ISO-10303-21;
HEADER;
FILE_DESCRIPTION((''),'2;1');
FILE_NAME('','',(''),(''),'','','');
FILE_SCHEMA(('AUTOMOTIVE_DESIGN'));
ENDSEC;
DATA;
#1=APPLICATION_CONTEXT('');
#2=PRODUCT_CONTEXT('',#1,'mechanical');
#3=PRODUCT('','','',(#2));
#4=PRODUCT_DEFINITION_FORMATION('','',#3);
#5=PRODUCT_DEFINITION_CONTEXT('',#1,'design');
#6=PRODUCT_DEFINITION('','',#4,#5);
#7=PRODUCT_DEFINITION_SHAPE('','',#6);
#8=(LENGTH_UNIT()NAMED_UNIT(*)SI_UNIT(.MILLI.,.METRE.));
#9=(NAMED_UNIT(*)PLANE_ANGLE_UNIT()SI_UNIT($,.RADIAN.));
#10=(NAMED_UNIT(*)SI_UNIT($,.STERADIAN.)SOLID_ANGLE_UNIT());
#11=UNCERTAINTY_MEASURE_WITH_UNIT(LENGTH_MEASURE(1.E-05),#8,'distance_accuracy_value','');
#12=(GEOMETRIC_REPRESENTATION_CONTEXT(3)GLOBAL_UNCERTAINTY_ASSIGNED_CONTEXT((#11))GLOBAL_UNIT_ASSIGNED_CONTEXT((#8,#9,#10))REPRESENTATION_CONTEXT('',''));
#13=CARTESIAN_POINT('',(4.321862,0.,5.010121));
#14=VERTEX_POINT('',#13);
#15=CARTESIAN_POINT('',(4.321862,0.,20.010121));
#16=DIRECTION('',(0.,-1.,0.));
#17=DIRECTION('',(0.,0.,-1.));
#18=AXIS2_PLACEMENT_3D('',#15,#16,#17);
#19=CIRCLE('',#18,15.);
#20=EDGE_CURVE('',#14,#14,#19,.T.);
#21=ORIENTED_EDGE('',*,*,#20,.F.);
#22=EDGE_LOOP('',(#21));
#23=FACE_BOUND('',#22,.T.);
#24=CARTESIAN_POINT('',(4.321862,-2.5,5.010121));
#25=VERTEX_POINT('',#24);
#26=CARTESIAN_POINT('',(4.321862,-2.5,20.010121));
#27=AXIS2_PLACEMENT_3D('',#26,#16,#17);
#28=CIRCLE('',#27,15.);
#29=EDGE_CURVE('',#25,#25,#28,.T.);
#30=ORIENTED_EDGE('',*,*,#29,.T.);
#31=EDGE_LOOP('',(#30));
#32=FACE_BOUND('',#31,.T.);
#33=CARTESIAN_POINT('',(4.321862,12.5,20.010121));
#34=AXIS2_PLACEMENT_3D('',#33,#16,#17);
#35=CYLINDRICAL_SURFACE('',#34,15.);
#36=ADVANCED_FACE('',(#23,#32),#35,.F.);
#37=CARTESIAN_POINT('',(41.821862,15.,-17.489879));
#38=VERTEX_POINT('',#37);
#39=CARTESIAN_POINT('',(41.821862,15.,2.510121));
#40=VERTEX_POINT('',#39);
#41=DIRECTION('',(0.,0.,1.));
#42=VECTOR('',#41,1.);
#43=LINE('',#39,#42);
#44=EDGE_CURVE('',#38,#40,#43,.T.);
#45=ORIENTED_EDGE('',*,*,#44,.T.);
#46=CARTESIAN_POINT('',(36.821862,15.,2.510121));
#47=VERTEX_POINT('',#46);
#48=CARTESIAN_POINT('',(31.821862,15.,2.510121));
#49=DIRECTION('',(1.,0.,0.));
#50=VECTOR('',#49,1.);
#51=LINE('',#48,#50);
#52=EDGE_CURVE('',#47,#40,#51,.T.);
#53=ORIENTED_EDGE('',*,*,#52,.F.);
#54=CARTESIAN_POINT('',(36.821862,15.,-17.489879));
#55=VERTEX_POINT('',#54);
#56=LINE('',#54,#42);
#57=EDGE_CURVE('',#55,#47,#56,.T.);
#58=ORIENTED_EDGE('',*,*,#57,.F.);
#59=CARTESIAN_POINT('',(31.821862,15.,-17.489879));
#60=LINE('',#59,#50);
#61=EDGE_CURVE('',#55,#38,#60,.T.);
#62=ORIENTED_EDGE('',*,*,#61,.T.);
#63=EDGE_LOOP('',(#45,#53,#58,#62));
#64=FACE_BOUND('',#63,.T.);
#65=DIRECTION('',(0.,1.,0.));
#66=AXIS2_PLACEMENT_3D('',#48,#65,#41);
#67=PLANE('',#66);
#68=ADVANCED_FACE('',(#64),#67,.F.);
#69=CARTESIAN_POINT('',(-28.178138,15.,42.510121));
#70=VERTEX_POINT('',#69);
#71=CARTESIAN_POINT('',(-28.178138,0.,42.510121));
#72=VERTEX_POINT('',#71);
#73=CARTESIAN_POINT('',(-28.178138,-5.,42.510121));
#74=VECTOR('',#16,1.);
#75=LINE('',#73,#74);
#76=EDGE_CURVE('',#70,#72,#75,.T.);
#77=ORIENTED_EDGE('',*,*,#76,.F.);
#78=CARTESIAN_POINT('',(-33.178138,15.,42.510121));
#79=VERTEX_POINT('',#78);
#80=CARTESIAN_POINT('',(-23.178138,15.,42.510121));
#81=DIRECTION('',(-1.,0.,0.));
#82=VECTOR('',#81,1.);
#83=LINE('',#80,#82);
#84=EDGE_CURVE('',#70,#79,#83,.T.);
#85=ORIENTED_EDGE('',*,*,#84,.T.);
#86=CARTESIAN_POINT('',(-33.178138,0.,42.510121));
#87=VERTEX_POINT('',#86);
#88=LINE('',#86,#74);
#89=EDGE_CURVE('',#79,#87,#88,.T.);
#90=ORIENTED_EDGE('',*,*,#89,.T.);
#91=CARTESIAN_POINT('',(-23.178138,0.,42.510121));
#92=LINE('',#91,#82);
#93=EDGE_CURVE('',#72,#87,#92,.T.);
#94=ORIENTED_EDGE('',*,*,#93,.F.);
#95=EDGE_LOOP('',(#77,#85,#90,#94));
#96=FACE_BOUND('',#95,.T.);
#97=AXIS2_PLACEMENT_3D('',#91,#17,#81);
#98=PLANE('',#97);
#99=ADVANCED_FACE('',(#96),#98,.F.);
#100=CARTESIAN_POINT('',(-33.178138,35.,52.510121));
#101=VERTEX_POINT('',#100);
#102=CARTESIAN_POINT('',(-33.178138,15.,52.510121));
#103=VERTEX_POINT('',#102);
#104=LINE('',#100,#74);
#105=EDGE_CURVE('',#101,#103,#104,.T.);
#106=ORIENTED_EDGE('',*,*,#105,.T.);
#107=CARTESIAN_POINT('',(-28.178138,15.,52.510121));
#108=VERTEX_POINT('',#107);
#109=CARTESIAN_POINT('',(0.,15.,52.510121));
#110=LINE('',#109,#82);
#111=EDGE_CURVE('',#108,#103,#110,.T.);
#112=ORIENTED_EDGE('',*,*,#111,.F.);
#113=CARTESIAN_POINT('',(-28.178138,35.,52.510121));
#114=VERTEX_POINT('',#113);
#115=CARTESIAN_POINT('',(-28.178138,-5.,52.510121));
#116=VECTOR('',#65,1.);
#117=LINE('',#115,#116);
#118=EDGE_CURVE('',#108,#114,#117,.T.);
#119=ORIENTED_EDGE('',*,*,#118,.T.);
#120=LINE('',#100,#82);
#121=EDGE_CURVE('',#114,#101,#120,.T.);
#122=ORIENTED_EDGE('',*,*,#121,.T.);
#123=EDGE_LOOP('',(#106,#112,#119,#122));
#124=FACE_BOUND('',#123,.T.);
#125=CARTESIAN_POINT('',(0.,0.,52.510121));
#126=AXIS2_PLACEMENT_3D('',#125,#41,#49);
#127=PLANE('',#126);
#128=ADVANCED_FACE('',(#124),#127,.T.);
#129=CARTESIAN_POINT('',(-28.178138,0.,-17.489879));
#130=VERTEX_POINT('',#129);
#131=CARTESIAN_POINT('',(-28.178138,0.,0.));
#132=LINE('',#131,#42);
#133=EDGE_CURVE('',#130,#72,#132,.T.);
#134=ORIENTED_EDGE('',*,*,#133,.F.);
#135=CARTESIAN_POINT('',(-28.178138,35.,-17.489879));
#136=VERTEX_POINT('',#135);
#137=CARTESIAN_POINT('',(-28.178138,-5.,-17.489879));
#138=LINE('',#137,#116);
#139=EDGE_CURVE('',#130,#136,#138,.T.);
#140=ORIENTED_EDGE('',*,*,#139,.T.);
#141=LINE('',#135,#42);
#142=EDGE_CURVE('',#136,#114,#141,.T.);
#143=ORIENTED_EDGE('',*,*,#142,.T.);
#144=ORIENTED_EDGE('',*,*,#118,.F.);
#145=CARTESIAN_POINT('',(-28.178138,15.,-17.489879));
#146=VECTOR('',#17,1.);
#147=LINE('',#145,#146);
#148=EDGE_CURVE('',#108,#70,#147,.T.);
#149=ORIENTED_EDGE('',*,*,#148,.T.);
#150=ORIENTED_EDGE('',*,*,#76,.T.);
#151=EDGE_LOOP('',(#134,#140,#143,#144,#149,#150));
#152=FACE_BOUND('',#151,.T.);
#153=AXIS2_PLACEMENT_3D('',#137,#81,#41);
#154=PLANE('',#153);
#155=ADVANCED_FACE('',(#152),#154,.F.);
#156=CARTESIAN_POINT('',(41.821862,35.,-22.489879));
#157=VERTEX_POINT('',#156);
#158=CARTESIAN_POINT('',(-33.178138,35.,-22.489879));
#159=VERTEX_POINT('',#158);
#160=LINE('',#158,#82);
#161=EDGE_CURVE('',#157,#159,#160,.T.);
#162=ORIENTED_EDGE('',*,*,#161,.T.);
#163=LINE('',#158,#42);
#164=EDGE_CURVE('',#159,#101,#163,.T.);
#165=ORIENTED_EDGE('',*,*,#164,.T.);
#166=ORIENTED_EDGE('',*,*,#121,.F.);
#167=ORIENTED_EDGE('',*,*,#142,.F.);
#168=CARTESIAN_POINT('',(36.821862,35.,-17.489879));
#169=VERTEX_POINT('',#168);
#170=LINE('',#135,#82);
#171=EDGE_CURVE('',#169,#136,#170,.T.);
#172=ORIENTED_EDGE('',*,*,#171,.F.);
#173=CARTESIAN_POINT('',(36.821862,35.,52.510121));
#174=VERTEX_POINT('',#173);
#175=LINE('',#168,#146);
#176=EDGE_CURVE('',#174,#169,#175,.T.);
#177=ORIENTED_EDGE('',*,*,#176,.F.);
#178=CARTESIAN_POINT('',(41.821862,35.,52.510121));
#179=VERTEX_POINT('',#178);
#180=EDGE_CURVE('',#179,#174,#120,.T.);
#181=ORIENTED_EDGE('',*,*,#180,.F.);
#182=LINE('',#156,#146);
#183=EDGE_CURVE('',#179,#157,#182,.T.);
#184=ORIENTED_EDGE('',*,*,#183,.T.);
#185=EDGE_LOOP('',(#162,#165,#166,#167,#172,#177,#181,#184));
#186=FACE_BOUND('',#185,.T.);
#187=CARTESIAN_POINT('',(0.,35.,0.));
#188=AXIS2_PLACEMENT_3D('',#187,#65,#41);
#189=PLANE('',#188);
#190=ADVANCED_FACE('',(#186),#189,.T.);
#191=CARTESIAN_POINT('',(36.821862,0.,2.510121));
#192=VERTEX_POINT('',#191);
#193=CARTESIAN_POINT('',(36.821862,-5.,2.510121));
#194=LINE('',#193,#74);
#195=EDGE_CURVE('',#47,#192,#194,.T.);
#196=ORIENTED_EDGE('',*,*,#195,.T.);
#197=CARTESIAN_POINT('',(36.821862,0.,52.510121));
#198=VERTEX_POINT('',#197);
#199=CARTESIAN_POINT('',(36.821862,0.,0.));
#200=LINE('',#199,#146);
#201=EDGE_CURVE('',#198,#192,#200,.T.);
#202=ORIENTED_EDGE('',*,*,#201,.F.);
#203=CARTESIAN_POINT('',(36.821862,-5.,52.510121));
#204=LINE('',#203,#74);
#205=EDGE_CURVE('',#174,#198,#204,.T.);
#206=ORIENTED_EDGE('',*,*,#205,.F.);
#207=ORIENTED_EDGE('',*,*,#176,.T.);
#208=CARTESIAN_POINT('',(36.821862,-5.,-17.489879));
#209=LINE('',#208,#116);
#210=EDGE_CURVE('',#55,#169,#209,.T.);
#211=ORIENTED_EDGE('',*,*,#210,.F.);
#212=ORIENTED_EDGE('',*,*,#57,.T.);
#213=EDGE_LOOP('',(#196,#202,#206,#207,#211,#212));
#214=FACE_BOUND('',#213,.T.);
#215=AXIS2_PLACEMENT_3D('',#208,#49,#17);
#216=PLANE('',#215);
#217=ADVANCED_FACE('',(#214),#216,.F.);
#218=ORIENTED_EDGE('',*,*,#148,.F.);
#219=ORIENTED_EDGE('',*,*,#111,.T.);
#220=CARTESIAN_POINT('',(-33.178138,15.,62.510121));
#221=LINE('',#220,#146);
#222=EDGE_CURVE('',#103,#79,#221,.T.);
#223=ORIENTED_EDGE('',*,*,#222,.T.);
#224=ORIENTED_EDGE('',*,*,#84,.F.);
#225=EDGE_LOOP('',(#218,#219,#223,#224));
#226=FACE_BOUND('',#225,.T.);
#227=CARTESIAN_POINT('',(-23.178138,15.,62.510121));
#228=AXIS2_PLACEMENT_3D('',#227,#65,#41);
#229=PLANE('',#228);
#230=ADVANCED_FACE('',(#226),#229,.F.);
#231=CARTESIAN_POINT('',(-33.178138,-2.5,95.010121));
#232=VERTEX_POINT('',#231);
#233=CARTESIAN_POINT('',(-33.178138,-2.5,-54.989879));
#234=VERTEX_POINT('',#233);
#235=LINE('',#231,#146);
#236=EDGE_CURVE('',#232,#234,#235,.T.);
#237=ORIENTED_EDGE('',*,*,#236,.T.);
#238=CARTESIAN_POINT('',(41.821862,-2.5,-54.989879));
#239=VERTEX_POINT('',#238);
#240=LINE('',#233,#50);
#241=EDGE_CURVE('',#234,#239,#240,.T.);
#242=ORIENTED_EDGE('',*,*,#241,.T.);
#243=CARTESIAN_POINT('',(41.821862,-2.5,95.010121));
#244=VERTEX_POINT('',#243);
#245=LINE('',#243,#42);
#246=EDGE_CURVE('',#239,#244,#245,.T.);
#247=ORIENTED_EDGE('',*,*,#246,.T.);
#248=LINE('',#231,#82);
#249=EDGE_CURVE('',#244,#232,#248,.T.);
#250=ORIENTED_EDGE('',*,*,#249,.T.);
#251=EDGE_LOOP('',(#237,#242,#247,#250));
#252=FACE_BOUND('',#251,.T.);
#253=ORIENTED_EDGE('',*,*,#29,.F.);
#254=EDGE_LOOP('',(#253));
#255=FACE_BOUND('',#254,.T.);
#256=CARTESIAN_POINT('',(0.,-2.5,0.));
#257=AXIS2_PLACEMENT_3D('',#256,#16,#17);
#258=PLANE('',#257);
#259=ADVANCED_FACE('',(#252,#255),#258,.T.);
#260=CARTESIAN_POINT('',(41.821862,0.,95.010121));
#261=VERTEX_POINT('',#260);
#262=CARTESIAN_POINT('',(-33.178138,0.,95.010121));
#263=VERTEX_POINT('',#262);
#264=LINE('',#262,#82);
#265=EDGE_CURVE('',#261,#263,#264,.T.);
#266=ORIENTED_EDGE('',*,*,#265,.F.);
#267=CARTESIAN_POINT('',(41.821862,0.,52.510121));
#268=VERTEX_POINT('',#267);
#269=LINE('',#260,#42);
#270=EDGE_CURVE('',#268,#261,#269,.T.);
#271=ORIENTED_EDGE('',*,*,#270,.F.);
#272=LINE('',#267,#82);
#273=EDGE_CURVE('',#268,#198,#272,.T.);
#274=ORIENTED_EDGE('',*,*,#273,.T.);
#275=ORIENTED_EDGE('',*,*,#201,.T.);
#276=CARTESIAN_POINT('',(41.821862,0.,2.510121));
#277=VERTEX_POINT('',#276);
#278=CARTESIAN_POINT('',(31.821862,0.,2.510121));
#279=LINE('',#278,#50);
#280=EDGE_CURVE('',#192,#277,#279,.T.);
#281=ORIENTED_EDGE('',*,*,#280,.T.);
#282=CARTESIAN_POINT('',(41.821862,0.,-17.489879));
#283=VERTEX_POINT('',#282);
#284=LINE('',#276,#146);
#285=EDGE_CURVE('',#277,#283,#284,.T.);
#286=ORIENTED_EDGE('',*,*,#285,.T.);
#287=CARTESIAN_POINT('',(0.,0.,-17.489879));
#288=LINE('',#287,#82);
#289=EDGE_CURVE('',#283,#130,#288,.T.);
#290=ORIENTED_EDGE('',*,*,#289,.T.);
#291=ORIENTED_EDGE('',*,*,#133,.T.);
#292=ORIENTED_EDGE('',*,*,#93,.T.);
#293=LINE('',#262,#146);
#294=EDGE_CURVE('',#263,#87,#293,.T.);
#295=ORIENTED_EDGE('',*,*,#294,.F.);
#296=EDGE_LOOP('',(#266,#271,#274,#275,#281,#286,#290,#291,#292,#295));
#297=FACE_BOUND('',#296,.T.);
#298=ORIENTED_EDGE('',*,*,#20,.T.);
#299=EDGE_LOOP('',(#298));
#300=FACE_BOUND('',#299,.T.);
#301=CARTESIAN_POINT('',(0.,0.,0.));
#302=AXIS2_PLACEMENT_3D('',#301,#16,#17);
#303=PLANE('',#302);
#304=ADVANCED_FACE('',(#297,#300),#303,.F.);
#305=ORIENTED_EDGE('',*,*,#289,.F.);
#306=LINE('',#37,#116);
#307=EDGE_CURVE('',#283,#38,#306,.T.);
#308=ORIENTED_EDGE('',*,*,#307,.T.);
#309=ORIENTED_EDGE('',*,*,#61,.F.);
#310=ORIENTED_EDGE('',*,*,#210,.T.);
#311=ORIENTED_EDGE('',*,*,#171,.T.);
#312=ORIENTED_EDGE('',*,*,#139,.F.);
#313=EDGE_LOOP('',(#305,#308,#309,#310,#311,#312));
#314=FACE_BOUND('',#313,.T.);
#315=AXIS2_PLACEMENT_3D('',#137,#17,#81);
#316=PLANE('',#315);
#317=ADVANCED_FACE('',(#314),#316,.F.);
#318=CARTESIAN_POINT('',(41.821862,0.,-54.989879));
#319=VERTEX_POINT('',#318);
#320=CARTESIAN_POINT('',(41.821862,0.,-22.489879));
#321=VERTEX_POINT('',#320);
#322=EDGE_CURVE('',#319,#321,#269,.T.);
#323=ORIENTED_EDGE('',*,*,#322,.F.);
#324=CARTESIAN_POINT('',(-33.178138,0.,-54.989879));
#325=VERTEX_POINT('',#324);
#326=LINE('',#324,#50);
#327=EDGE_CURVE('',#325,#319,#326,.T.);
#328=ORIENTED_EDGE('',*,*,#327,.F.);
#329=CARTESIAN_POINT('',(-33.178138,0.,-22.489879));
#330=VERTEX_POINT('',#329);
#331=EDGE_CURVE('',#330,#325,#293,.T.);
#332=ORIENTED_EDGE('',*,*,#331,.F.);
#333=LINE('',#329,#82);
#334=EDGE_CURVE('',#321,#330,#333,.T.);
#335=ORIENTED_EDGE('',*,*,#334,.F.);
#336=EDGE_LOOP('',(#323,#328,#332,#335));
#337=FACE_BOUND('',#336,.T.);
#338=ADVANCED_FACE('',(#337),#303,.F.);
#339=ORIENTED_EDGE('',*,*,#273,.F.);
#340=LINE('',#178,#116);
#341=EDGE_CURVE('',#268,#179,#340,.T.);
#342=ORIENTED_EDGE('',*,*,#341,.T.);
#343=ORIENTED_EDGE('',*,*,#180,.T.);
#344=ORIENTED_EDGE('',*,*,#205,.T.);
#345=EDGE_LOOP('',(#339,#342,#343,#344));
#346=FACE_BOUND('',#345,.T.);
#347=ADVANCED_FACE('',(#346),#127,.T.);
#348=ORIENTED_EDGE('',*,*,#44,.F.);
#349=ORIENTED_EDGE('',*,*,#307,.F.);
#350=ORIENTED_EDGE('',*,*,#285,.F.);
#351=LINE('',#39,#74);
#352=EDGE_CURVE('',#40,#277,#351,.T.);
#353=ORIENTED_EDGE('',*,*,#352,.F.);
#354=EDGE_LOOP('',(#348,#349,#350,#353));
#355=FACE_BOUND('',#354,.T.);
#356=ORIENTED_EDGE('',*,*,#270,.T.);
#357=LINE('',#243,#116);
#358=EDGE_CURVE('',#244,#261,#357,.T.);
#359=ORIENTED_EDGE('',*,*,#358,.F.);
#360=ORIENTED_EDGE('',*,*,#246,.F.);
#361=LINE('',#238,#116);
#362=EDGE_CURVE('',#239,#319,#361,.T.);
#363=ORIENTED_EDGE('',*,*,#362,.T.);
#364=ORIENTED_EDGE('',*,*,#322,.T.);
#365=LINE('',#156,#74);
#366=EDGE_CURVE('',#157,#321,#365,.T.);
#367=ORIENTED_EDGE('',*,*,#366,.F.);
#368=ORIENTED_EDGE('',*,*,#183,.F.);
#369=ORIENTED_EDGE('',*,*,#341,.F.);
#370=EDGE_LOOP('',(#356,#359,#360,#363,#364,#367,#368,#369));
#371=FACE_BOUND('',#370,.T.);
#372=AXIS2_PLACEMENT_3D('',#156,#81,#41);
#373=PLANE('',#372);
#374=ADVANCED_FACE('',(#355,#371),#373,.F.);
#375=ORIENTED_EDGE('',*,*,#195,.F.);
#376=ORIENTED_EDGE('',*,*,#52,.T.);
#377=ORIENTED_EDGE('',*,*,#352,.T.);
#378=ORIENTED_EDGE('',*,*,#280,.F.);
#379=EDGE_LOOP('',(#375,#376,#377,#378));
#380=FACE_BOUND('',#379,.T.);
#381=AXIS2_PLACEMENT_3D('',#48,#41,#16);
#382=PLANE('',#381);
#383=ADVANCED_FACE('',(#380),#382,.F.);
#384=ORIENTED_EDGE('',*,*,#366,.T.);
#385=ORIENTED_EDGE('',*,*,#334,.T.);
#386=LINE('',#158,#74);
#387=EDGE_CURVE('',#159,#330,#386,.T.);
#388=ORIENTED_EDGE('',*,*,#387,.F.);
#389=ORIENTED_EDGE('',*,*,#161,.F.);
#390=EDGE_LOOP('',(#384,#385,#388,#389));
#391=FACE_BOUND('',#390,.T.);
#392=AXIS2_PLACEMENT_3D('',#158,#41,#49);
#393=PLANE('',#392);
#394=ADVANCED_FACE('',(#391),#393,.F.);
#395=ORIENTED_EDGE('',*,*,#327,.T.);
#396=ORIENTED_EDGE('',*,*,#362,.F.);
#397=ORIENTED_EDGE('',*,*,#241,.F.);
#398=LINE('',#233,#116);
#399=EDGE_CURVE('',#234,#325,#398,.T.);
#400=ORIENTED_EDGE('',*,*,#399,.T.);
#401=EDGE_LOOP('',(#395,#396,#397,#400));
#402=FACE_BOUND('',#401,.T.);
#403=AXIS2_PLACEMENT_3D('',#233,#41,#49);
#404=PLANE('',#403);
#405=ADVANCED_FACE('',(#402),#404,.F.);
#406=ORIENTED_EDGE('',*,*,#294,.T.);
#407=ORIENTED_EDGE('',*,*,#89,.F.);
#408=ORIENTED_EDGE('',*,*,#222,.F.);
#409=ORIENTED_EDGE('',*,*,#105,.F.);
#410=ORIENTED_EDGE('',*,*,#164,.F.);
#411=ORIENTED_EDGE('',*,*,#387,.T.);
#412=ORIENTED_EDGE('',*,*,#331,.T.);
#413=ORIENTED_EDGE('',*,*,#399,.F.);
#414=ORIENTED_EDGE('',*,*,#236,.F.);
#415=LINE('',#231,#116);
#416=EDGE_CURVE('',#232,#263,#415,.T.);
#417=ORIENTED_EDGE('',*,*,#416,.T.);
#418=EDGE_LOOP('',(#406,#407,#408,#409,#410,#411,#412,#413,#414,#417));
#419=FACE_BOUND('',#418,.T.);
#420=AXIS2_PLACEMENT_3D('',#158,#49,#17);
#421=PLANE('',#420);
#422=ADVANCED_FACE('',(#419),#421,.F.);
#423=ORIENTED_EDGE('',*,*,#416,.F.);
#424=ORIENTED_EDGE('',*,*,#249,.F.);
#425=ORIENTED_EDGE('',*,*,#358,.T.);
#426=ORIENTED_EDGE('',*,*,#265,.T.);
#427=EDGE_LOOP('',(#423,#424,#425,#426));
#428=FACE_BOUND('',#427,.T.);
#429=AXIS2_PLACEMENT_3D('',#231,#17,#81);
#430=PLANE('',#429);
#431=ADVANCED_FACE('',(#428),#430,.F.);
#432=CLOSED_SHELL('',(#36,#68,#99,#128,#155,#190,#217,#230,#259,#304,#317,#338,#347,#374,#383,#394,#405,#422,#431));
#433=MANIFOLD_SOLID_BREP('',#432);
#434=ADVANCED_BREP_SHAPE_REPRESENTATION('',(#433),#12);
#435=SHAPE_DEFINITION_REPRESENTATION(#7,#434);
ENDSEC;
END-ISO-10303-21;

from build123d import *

# Parameters (mm, degrees)
SKETCH3_W           = 75
SKETCH3_H           = 85
BOSS_EXTRUDE1_DEPTH = 35
SKETCH4_W           = 65
SKETCH4_H           = 75
CUT_EXTRUDE1_DEPTH  = 40
SKETCH8_W           = 75
SKETCH8_H           = 150
BOSS_EXTRUDE2_DEPTH = 2.5
SKETCH9_R           = 15
CUT_EXTRUDE4_DEPTH  = 15
SKETCH10_W          = 75
SKETCH10_H          = 33.016749553
CUT_EXTRUDE5_DEPTH  = 10
SKETCH16_W          = 20
SKETCH16_H          = 15
CUT_EXTRUDE6_DEPTH  = 10
SKETCH17_W          = 10
SKETCH17_H          = 1.983250447
CUT_EXTRUDE7_DEPTH  = 66
SKETCH19_W          = 20
SKETCH19_H          = 15
CUT_EXTRUDE8_DEPTH  = 10


with BuildPart() as part:
    # Sketch3 → Boss-Extrude1 (new body)
    with BuildSketch(Plane(origin=(0, 0, 0), x_dir=(1, 0, 0), z_dir=(0, 1, 0))):
        with Locations((4.321862348, -20.010121457)):
            Rectangle(SKETCH3_W, SKETCH3_H)
    extrude(amount=BOSS_EXTRUDE1_DEPTH)

    # Sketch4 → Cut-Extrude1 (cut)
    with BuildSketch(Plane(origin=(0, 35, 0), x_dir=(1, 0, 0), z_dir=(0, 1, 0))):
        with Locations((4.321862348, -20.010121457)):
            Rectangle(SKETCH4_W, SKETCH4_H)
    extrude(amount=-CUT_EXTRUDE1_DEPTH, mode=Mode.SUBTRACT)

    # Sketch8 → Boss-Extrude2 (add)
    with BuildSketch(Plane.XZ):
        with Locations((4.321862348, 20.010121457)):
            Rectangle(SKETCH8_W, SKETCH8_H)
    extrude(amount=BOSS_EXTRUDE2_DEPTH)

    # Sketch9 → Cut-Extrude4 (cut)
    with BuildSketch(Plane.XZ.offset(2.5)):
        with Locations((4.321862348, 20.010121457)):
            Circle(SKETCH9_R)
    extrude(amount=-CUT_EXTRUDE4_DEPTH, mode=Mode.SUBTRACT)

    # Sketch10 → Cut-Extrude5 (cut)
    with BuildSketch(Plane.XY.offset(62.510121457)):
        with Locations((4.321862348, 18.491625224)):
            Rectangle(SKETCH10_W, SKETCH10_H)
    extrude(amount=-CUT_EXTRUDE5_DEPTH, mode=Mode.SUBTRACT)

    # Sketch16 → Cut-Extrude6 (cut)
    with BuildSketch(Plane.ZY.offset(33.178137652)):
        with Locations((52.510121457, 7.5)):
            Rectangle(SKETCH16_W, SKETCH16_H)
    extrude(amount=-CUT_EXTRUDE6_DEPTH, mode=Mode.SUBTRACT)

    # Sketch17 → Cut-Extrude7 (cut, through all)
    with BuildSketch(Plane.ZY.offset(23.178137652)):
        with Locations((57.510121457, 0.991625224)):
            Rectangle(SKETCH17_W, SKETCH17_H)
    extrude(amount=-CUT_EXTRUDE7_DEPTH, mode=Mode.SUBTRACT)

    # Sketch19 → Cut-Extrude8 (cut)
    with BuildSketch(Plane(origin=(41.821862348, 0, 0), x_dir=(0, 0, -1), z_dir=(1, 0, 0))):
        with Locations((7.489878543, 7.5)):
            Rectangle(SKETCH19_W, SKETCH19_H)
    extrude(amount=-CUT_EXTRUDE8_DEPTH, mode=Mode.SUBTRACT)


solid = part.part
